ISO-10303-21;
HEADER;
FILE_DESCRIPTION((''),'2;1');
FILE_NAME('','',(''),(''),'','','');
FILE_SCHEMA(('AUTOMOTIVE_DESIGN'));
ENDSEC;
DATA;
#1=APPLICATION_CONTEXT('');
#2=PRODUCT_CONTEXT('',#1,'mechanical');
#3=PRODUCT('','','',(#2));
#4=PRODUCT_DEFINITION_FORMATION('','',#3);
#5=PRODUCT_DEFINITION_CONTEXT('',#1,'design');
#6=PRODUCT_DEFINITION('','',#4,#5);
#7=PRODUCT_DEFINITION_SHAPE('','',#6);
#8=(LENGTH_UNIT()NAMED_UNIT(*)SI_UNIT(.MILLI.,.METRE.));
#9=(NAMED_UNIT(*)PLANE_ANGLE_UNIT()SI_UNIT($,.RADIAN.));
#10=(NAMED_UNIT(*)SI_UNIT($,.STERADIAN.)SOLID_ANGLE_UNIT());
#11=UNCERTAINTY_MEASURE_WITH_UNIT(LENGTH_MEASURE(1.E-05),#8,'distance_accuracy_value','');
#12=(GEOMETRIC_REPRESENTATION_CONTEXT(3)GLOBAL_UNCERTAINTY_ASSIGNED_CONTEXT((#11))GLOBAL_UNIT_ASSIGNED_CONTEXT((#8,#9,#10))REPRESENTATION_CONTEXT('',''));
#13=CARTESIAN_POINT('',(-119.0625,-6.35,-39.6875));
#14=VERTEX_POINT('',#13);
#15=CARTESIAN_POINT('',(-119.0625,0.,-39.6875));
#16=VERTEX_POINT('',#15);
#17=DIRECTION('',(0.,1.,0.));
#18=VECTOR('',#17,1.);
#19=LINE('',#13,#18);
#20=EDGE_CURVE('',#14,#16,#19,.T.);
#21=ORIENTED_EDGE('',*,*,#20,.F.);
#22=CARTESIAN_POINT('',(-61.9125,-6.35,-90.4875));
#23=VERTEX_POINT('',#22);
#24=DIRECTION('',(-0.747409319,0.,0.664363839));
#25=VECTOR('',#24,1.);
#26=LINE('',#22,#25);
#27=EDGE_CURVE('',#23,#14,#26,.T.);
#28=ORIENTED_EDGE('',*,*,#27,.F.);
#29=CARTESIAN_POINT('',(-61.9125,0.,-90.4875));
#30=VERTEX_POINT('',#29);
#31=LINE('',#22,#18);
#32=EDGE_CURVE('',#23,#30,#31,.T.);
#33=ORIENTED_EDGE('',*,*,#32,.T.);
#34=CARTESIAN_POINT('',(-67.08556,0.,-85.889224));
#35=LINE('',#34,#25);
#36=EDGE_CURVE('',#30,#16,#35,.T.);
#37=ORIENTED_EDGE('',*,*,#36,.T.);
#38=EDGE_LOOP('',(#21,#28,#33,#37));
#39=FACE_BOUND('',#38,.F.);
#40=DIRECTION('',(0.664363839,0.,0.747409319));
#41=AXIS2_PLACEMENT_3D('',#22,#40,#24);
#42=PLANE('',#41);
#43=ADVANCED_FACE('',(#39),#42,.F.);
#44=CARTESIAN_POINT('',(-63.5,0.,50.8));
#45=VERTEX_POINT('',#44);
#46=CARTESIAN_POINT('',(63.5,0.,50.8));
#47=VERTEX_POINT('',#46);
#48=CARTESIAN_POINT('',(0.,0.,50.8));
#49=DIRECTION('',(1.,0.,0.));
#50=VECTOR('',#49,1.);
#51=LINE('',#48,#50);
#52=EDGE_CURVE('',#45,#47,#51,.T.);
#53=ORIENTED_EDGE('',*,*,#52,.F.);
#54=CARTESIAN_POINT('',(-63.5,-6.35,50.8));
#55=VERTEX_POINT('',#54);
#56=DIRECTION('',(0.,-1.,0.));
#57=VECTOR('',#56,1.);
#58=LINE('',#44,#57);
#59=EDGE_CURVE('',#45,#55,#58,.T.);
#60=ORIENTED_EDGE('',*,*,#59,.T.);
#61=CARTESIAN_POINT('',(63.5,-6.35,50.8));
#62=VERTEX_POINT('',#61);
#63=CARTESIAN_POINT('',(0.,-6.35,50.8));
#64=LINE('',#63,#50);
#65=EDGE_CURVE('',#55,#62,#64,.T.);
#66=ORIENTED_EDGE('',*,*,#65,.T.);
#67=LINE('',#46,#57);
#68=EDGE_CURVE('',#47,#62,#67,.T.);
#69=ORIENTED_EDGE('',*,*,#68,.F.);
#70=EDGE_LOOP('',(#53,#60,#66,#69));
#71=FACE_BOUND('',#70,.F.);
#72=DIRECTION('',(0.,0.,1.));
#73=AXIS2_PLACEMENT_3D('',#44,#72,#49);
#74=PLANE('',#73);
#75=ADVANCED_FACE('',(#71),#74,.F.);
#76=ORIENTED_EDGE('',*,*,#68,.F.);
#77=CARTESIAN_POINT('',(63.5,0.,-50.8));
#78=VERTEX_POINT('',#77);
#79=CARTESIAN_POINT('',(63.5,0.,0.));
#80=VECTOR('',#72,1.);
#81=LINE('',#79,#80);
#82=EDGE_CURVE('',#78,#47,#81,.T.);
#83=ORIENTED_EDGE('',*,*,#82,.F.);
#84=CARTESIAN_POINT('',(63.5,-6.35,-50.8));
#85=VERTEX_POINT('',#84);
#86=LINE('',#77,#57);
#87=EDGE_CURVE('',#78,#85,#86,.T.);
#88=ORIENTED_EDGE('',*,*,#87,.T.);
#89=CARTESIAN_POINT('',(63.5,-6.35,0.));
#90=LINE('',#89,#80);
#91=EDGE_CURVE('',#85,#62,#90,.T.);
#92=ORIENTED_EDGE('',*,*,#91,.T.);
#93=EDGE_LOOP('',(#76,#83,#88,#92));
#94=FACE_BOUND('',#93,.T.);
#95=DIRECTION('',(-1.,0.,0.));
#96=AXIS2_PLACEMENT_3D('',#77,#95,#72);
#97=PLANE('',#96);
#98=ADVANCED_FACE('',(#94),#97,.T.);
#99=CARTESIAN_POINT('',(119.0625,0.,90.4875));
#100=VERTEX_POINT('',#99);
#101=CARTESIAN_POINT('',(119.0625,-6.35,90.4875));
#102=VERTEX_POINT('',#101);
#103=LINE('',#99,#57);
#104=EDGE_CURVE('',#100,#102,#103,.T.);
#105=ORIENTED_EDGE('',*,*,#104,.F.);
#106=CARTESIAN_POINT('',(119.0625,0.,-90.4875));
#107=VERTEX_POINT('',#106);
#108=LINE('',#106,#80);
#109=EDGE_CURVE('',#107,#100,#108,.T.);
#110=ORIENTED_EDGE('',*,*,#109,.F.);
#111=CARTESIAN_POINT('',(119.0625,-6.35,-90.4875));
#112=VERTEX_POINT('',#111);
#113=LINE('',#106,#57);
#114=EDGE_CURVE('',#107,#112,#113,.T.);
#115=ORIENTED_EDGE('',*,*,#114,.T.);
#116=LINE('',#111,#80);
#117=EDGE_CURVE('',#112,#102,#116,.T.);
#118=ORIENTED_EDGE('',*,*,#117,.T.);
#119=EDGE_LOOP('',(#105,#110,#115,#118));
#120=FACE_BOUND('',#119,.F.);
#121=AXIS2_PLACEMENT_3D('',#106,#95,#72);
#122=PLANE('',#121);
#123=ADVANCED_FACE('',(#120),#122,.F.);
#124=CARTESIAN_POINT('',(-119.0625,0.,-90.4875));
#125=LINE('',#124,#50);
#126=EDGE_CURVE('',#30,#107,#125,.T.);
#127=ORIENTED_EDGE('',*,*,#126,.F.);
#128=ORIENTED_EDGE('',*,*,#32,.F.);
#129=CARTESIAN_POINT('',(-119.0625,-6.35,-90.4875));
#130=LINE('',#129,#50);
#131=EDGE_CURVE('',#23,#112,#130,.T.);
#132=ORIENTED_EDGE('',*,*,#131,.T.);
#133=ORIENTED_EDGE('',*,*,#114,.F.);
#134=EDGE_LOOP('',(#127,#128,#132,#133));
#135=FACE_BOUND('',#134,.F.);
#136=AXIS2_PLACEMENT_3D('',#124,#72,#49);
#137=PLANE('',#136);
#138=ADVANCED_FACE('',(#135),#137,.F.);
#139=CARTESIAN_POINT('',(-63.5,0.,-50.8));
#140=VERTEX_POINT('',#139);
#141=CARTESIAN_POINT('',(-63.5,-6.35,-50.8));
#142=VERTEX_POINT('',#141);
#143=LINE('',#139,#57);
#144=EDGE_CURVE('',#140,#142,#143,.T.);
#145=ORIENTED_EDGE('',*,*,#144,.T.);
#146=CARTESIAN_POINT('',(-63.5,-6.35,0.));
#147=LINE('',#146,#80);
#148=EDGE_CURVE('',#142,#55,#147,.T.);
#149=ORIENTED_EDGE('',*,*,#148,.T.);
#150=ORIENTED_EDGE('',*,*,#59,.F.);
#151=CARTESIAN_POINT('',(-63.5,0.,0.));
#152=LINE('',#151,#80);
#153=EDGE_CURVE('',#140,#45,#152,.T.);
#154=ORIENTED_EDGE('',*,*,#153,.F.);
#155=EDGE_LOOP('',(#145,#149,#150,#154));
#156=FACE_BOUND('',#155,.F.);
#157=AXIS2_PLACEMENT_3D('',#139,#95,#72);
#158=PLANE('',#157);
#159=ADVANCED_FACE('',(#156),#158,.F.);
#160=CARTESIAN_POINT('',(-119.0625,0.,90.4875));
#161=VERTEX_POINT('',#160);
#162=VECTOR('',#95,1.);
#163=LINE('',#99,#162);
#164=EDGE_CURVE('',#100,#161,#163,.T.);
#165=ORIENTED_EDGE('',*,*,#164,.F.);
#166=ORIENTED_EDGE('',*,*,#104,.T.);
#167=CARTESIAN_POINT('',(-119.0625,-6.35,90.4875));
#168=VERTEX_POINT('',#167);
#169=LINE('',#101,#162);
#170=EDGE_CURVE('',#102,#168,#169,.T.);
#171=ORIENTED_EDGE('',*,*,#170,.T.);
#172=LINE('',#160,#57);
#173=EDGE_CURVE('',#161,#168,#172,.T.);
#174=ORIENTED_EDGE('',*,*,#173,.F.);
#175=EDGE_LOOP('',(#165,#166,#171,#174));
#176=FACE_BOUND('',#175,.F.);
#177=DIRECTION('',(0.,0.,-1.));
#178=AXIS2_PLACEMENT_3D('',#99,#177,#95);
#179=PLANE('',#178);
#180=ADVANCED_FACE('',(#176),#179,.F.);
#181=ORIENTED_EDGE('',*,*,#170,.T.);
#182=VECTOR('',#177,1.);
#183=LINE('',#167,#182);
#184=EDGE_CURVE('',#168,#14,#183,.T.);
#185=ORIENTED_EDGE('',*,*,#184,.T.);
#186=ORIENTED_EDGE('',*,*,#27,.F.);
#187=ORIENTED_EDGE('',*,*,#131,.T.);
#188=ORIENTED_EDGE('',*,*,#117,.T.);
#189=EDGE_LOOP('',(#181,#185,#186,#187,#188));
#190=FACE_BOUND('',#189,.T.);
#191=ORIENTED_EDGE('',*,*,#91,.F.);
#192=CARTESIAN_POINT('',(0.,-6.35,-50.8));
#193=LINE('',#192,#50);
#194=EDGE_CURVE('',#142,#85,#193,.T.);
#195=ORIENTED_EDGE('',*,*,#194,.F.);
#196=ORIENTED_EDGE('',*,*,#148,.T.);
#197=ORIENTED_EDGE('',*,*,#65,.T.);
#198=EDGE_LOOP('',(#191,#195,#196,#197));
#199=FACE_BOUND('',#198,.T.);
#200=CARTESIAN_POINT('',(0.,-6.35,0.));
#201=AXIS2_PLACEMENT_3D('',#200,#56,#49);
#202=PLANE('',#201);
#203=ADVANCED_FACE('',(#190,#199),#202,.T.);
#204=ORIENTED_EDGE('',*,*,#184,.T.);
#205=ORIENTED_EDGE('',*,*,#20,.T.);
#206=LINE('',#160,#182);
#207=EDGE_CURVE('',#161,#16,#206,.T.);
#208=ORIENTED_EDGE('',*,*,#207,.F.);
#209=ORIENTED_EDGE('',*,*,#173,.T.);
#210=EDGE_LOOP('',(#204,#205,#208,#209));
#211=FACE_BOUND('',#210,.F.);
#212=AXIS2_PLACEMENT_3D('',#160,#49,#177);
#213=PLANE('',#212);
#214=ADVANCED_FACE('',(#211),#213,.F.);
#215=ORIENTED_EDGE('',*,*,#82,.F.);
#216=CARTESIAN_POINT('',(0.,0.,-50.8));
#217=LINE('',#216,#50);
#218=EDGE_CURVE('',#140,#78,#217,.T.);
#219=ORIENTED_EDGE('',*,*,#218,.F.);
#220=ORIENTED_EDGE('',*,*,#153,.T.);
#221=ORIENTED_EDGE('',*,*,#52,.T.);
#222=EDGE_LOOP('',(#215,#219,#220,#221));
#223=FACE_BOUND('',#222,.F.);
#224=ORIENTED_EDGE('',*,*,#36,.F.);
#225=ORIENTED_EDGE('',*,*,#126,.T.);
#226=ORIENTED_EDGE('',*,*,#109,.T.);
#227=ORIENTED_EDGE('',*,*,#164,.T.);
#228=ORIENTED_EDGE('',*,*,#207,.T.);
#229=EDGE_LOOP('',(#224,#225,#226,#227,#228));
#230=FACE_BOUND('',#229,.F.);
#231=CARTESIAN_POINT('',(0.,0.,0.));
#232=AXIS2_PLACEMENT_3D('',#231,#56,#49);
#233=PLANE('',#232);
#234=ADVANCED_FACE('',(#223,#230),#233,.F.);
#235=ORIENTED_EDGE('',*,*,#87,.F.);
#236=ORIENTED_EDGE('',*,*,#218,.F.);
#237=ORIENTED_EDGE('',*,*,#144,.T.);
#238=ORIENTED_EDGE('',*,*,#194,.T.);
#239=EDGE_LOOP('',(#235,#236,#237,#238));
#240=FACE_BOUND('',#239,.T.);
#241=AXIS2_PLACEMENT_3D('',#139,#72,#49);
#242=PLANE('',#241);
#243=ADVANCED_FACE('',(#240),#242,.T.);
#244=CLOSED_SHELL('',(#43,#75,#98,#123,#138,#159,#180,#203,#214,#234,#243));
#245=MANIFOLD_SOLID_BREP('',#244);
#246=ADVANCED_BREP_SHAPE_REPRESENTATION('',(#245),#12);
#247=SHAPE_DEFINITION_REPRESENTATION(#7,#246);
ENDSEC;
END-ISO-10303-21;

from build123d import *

# Parameters (mm, degrees)
F0_W     = 127
F0_H     = 101.6
F1_DEPTH = 6.35
F3_DEPTH = 25.4


with BuildPart() as f1:
    # F0 (on Front) → F1 (new body)
    with BuildSketch(Plane.XZ):
        Polygon((119.0625, -65.004698), (119.0625, 90.4875), (-119.0625, 90.4875), (-119.0625, -59.102433), (-119.0625, -90.4875), (-88.140514, -90.4875), (96.010204, -90.4875), (119.0625, -90.4875), align=None)
        Rectangle(F0_W, F0_H, mode=Mode.SUBTRACT)
    extrude(amount=F1_DEPTH)

    # F2 (on face) → F3 (cut)
    with BuildSketch(Plane.XZ.offset(6.35)):
        Polygon((-119.0625, -39.6875), (-119.0625, -90.4875), (-61.9125, -90.4875), align=None)
    extrude(amount=-F3_DEPTH, mode=Mode.SUBTRACT)


solid = f1.part
